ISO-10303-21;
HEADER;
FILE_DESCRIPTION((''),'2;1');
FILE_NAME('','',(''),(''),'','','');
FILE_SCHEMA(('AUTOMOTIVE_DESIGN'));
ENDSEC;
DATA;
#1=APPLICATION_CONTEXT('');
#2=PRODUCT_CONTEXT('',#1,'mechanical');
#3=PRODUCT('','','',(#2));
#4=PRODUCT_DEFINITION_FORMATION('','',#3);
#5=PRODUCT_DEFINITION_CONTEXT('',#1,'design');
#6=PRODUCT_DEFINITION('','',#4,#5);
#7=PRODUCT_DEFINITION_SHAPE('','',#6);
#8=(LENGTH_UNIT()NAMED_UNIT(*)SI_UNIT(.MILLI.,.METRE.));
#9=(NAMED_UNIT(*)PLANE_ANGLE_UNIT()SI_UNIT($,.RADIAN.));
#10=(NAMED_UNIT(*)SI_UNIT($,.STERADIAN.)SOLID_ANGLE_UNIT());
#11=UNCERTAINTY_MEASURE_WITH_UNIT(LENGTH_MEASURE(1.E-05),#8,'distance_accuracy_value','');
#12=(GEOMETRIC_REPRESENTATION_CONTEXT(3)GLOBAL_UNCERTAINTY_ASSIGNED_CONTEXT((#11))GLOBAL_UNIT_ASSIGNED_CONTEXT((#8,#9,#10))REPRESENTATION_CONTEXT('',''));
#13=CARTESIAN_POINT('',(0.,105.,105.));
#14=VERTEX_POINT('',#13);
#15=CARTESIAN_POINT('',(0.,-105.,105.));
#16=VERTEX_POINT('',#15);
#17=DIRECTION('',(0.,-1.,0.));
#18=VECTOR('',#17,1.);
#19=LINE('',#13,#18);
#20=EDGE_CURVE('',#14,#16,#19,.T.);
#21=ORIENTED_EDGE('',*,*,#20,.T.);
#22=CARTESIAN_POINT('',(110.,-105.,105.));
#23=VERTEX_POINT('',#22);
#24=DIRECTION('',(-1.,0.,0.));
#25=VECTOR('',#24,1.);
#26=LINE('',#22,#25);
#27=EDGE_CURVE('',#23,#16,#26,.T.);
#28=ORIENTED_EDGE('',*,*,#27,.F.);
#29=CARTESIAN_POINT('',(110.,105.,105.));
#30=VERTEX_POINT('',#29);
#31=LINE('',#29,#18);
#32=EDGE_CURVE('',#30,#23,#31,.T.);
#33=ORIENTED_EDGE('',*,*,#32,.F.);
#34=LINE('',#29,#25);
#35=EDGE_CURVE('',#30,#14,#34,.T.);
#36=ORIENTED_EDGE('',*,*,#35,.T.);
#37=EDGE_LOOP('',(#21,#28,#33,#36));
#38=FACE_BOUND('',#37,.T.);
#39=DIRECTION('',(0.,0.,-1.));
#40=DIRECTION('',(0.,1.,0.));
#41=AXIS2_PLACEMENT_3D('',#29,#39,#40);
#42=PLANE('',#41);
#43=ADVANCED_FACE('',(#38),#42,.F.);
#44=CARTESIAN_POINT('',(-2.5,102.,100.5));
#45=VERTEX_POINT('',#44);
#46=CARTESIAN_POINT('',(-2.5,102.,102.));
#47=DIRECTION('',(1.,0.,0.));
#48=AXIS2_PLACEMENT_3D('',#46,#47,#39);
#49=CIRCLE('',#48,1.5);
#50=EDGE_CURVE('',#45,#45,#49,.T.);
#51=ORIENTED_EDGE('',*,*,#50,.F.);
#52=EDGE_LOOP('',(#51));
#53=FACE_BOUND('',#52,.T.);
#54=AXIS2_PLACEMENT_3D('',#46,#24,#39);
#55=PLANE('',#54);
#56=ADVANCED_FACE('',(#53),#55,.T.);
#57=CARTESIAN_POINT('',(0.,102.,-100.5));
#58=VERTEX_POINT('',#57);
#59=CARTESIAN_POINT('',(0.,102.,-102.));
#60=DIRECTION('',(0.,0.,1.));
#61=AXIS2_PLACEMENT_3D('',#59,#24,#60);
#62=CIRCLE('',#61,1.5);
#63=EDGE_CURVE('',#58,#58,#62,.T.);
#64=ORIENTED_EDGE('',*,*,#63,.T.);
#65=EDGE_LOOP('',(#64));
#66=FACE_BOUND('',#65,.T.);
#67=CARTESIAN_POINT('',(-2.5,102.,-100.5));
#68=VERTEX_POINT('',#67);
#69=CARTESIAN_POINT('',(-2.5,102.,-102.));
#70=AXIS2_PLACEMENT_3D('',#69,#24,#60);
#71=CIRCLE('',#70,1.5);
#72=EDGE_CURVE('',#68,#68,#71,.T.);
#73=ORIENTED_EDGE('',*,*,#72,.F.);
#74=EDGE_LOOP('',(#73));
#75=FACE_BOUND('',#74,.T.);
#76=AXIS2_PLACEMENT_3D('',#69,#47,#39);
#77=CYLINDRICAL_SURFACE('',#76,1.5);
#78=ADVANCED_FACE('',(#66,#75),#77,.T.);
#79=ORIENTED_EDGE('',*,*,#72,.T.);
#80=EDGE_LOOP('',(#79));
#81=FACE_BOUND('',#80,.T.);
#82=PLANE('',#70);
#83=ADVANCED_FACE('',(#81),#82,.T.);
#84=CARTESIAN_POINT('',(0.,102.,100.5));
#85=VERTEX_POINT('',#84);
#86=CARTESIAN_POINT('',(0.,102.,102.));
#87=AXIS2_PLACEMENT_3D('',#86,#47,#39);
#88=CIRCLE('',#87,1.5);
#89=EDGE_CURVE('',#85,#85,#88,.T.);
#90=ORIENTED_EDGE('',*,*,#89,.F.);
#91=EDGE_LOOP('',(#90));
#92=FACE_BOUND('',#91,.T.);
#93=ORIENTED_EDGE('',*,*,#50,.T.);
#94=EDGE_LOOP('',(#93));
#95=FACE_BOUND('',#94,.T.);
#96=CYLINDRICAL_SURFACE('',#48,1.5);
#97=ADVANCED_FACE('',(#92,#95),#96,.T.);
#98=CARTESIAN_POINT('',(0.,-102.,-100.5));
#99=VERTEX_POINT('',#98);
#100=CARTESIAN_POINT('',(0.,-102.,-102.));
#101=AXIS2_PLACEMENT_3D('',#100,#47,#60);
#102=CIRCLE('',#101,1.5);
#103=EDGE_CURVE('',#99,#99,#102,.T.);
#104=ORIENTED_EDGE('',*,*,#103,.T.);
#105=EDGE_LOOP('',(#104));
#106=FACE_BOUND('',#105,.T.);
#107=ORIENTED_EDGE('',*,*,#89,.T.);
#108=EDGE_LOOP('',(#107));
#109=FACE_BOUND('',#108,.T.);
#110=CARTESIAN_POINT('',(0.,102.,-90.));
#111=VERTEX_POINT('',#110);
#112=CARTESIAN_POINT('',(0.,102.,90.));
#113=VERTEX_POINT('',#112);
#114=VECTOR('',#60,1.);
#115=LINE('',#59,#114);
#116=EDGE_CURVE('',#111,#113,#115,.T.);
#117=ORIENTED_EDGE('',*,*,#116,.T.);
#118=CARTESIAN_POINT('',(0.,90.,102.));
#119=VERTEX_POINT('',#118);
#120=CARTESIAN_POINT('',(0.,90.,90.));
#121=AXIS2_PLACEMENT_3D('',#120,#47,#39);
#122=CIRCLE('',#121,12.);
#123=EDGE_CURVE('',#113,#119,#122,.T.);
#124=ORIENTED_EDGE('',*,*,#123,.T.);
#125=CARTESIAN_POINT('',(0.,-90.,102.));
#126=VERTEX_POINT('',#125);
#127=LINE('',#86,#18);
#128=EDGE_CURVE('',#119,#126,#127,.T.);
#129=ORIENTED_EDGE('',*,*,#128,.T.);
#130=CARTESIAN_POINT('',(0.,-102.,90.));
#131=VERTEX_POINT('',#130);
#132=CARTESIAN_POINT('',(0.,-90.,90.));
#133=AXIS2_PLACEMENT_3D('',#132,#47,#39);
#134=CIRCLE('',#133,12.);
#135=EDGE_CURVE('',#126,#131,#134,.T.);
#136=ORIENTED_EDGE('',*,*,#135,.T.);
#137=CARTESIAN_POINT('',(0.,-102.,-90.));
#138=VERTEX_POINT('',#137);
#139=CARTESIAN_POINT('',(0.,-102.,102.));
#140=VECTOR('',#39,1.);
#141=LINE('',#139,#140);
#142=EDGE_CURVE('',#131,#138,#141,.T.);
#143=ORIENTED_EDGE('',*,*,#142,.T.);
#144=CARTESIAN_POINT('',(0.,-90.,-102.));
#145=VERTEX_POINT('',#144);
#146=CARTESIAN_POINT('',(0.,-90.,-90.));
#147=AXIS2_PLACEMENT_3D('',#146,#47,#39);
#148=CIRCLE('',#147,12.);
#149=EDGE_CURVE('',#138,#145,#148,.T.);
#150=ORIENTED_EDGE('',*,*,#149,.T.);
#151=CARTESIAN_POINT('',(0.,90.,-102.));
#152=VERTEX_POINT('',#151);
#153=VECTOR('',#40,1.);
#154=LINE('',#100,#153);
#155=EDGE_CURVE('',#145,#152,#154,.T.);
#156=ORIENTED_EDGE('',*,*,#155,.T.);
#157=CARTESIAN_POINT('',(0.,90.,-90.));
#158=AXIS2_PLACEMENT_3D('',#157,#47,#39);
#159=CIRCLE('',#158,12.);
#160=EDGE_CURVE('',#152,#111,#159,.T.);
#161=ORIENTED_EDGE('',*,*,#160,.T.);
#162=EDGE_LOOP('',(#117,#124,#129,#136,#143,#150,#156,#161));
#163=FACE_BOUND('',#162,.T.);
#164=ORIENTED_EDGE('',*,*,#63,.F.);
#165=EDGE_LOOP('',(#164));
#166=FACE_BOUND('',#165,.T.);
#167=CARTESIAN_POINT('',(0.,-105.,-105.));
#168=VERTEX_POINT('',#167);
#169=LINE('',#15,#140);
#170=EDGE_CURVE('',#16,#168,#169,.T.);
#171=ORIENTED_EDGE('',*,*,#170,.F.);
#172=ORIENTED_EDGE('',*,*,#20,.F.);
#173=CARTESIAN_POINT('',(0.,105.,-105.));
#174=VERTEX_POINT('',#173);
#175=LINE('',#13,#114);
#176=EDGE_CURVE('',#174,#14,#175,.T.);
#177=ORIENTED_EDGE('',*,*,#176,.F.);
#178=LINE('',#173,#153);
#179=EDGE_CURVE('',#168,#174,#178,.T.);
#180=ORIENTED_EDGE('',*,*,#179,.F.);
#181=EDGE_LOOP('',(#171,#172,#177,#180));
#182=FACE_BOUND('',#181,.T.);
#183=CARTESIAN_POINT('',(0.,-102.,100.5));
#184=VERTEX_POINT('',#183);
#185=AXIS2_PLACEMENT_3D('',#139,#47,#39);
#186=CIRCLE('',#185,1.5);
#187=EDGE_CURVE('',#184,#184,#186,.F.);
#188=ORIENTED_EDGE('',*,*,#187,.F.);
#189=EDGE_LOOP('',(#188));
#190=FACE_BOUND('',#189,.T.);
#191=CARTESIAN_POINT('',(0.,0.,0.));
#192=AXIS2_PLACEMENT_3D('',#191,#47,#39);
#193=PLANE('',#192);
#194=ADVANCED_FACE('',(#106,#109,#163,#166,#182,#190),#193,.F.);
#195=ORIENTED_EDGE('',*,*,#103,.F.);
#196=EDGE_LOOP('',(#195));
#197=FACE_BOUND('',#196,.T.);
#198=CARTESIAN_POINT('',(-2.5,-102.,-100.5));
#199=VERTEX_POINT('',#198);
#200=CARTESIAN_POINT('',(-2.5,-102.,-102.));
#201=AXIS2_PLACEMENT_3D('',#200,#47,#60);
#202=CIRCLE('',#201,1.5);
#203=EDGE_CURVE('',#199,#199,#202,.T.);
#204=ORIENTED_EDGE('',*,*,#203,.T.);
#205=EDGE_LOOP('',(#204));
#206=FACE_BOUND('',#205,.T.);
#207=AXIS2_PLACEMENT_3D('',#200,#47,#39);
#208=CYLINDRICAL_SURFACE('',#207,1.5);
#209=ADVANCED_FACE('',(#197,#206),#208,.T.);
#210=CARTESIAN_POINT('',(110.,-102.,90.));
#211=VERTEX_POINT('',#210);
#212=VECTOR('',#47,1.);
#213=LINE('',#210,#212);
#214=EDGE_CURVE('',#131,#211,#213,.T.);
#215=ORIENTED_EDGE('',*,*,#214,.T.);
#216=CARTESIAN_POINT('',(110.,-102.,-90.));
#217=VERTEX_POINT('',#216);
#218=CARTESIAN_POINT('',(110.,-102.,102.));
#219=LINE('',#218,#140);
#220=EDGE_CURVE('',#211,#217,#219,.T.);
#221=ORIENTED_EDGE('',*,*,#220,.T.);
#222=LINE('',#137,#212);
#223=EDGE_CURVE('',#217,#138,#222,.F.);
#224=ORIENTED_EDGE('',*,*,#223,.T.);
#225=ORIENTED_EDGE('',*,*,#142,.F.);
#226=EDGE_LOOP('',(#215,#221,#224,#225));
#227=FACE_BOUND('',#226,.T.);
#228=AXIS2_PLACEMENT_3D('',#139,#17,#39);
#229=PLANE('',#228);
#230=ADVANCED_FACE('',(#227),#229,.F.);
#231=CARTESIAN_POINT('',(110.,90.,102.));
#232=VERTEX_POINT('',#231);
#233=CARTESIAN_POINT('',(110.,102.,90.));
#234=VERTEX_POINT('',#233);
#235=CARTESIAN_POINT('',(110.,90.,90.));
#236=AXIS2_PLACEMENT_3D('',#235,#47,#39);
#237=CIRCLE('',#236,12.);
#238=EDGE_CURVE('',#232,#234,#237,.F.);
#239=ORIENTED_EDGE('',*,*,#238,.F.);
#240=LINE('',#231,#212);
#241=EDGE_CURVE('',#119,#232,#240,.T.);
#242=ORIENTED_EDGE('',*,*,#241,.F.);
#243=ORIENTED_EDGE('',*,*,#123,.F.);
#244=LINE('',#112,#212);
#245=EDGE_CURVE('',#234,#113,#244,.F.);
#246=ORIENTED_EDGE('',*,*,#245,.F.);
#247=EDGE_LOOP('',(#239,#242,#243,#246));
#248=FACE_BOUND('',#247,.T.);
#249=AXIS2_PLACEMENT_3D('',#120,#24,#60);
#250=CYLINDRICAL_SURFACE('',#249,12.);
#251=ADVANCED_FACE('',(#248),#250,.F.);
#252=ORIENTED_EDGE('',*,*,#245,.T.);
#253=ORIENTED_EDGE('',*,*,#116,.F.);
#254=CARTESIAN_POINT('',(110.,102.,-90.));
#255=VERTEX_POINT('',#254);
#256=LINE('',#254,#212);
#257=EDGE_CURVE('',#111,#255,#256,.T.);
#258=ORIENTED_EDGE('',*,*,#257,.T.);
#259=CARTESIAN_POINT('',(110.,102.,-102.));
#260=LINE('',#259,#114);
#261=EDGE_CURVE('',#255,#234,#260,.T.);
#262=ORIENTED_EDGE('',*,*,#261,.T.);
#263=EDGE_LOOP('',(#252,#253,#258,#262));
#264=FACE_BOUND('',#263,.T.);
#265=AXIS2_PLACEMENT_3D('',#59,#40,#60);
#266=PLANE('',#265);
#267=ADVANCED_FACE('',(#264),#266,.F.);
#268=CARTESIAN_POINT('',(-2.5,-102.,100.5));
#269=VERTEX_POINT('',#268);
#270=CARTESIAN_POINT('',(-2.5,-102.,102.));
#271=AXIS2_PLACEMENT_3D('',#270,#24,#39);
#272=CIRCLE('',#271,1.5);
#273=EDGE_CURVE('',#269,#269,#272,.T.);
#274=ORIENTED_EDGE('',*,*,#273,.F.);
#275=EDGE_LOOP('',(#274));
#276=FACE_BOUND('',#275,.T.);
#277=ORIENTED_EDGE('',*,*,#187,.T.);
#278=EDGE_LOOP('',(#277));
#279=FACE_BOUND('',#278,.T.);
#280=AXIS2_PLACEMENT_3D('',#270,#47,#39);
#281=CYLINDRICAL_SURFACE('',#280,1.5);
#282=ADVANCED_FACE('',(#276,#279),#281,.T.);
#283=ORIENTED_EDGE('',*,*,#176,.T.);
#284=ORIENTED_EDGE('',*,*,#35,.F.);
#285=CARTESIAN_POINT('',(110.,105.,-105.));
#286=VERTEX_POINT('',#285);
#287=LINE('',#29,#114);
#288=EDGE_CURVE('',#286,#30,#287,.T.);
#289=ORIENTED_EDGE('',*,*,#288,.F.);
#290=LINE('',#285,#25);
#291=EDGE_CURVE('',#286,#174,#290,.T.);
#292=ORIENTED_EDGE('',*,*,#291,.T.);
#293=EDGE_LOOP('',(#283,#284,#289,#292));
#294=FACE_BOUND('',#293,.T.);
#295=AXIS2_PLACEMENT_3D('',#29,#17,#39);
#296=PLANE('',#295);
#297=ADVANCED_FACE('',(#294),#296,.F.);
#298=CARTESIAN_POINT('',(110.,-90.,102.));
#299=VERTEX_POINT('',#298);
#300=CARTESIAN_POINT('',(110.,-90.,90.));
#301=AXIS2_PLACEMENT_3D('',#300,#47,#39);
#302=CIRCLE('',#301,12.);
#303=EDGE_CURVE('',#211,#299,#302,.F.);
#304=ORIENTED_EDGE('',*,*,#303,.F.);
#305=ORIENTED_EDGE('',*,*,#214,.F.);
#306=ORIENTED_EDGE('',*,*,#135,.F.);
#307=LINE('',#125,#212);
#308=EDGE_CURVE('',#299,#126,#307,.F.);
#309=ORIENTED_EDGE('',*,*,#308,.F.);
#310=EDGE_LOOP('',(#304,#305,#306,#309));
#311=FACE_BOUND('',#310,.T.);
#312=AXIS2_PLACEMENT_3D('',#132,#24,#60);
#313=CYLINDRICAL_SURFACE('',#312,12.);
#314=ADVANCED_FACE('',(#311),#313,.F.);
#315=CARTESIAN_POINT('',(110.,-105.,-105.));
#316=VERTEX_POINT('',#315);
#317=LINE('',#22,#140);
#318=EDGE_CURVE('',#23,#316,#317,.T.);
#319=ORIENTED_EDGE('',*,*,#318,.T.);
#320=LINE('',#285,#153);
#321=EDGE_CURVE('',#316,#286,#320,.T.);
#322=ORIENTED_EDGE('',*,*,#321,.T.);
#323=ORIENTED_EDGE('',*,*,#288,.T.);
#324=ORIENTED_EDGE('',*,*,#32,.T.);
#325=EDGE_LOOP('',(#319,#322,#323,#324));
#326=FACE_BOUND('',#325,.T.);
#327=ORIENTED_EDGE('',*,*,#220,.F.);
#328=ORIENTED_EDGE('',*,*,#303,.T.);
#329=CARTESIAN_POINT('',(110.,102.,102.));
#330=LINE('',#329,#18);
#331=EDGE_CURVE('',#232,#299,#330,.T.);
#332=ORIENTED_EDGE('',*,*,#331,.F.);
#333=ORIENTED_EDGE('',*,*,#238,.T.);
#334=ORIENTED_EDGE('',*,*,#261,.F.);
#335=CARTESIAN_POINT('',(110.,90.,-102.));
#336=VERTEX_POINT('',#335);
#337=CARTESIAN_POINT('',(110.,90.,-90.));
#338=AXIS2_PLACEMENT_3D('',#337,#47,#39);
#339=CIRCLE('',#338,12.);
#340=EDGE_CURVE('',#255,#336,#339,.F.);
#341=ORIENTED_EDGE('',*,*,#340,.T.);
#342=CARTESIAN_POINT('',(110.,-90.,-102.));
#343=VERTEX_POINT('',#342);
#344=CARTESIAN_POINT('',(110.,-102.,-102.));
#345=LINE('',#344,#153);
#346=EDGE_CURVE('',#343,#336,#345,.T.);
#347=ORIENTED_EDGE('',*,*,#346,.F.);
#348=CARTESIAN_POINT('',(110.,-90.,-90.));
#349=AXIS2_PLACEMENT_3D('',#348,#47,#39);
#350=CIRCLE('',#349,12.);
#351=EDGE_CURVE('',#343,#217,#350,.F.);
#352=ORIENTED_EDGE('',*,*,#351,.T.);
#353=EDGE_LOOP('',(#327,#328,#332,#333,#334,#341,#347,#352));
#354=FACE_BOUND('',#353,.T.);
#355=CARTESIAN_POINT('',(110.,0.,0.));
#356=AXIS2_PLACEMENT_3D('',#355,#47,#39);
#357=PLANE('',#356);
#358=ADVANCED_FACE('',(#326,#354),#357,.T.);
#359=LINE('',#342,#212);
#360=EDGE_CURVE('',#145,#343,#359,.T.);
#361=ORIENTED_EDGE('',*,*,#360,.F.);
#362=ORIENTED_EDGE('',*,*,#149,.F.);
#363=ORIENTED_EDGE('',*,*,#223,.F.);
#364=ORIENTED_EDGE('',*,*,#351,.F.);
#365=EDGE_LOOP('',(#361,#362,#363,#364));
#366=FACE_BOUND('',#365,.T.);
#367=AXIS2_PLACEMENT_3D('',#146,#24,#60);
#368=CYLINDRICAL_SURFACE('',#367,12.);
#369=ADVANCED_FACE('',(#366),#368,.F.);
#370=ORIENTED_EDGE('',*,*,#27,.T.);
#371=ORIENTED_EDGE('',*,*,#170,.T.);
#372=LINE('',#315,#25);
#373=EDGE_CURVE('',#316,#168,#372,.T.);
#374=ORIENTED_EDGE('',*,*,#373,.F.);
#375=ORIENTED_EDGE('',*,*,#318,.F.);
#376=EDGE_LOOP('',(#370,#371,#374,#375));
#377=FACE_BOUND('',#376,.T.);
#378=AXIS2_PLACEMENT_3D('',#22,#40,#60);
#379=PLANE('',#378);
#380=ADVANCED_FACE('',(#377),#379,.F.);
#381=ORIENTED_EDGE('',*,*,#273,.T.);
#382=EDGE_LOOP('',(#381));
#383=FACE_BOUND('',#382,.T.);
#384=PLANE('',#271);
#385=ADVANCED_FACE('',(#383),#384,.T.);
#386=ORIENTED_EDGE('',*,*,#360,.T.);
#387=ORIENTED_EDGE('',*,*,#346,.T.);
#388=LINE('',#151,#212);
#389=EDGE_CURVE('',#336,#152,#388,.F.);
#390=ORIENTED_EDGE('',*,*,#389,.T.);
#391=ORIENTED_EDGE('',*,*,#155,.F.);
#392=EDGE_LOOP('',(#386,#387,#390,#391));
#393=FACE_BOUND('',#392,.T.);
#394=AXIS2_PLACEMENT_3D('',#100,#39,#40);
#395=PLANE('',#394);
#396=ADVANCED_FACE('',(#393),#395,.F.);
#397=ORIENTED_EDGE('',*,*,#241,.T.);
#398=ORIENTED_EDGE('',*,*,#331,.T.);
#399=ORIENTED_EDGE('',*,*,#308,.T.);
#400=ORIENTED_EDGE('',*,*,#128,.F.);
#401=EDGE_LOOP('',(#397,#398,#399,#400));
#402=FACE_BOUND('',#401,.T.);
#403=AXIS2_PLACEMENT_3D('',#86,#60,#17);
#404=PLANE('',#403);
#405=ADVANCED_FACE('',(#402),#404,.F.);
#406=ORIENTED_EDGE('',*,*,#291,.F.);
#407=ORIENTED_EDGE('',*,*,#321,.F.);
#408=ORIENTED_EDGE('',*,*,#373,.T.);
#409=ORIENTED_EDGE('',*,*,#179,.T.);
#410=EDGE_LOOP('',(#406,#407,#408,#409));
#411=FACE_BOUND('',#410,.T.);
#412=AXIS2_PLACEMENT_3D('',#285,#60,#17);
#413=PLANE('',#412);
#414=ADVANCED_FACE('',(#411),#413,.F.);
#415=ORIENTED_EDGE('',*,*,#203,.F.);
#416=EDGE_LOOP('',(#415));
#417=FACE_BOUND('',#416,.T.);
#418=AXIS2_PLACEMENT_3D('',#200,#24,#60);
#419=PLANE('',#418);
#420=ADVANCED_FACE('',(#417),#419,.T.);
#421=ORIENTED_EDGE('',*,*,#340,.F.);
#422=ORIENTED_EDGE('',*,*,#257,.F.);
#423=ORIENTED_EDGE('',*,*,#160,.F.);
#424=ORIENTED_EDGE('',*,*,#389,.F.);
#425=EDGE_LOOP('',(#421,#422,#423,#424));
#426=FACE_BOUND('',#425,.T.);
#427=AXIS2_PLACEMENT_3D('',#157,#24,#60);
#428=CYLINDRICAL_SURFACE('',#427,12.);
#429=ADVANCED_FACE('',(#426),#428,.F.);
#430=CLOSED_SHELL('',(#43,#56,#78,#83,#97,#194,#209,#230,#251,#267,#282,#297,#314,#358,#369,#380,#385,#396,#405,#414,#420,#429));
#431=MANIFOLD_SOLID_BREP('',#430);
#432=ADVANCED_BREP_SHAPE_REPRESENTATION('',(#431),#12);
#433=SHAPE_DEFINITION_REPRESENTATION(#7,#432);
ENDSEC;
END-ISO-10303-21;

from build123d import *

# Parameters (mm, degrees)
SKETCH1_W               = 210
SKETCH1_H               = 210
BOSS_EXTRUDE1_DEPTH     = 110
SKETCH2_W               = 204
SKETCH2_H               = 204
CUT_EXTRUDE1_DEPTH      = 110
FILLET1_R               = 12
SKETCH3_R               = 1.5
BOSS_EXTRUDE2_DEPTH     = 2.5
MIRROR2_COPY_1_SKETCH_R = 1.5
MIRROR2_COPY_1_DEPTH    = 2.5


with BuildPart() as part:
    # Sketch1 → Boss-Extrude1 (new body)
    with BuildSketch(Plane(origin=(0, 0, 0), x_dir=(0, 0, -1), z_dir=(1, 0, 0))):
        Rectangle(SKETCH1_W, SKETCH1_H)
    extrude(amount=BOSS_EXTRUDE1_DEPTH)

    # Sketch2 → Cut-Extrude1 (cut)
    with BuildSketch(Plane(origin=(110, 0, 0), x_dir=(0, 0, -1), z_dir=(1, 0, 0))):
        Rectangle(SKETCH2_W, SKETCH2_H)
    extrude(amount=-CUT_EXTRUDE1_DEPTH, mode=Mode.SUBTRACT)

    # Fillet1
    fillet1_edges = [part.edges().sort_by_distance(p)[0] for p in [
        (55, -102, -102),
        (55, -102, 102),
        (55, 102, 102),
        (55, 102, -102),
    ]]
    fillet(fillet1_edges, radius=FILLET1_R)

    # Sketch3 → Boss-Extrude2 (add)
    with BuildSketch(Plane.ZY):
        with Locations((-102, 102)):
            Circle(SKETCH3_R)
    boss_extrude2 = extrude(amount=BOSS_EXTRUDE2_DEPTH)

    # Mirror1: Boss-Extrude2 across plane
    add(boss_extrude2.mirror(Plane.XY))

    # Mirror2: Boss-Extrude2 across plane
    add(boss_extrude2.mirror(Plane.ZX))

    # Mirror2 copy 1 sketch → Mirror2 copy 1 (add)
    with BuildSketch(Plane(origin=(0, 0, 0), x_dir=(0, 0, -1), z_dir=(-1, 0, 0))):
        with Locations((-102, 102)):
            Circle(MIRROR2_COPY_1_SKETCH_R)
    extrude(amount=MIRROR2_COPY_1_DEPTH)


solid = part.part
